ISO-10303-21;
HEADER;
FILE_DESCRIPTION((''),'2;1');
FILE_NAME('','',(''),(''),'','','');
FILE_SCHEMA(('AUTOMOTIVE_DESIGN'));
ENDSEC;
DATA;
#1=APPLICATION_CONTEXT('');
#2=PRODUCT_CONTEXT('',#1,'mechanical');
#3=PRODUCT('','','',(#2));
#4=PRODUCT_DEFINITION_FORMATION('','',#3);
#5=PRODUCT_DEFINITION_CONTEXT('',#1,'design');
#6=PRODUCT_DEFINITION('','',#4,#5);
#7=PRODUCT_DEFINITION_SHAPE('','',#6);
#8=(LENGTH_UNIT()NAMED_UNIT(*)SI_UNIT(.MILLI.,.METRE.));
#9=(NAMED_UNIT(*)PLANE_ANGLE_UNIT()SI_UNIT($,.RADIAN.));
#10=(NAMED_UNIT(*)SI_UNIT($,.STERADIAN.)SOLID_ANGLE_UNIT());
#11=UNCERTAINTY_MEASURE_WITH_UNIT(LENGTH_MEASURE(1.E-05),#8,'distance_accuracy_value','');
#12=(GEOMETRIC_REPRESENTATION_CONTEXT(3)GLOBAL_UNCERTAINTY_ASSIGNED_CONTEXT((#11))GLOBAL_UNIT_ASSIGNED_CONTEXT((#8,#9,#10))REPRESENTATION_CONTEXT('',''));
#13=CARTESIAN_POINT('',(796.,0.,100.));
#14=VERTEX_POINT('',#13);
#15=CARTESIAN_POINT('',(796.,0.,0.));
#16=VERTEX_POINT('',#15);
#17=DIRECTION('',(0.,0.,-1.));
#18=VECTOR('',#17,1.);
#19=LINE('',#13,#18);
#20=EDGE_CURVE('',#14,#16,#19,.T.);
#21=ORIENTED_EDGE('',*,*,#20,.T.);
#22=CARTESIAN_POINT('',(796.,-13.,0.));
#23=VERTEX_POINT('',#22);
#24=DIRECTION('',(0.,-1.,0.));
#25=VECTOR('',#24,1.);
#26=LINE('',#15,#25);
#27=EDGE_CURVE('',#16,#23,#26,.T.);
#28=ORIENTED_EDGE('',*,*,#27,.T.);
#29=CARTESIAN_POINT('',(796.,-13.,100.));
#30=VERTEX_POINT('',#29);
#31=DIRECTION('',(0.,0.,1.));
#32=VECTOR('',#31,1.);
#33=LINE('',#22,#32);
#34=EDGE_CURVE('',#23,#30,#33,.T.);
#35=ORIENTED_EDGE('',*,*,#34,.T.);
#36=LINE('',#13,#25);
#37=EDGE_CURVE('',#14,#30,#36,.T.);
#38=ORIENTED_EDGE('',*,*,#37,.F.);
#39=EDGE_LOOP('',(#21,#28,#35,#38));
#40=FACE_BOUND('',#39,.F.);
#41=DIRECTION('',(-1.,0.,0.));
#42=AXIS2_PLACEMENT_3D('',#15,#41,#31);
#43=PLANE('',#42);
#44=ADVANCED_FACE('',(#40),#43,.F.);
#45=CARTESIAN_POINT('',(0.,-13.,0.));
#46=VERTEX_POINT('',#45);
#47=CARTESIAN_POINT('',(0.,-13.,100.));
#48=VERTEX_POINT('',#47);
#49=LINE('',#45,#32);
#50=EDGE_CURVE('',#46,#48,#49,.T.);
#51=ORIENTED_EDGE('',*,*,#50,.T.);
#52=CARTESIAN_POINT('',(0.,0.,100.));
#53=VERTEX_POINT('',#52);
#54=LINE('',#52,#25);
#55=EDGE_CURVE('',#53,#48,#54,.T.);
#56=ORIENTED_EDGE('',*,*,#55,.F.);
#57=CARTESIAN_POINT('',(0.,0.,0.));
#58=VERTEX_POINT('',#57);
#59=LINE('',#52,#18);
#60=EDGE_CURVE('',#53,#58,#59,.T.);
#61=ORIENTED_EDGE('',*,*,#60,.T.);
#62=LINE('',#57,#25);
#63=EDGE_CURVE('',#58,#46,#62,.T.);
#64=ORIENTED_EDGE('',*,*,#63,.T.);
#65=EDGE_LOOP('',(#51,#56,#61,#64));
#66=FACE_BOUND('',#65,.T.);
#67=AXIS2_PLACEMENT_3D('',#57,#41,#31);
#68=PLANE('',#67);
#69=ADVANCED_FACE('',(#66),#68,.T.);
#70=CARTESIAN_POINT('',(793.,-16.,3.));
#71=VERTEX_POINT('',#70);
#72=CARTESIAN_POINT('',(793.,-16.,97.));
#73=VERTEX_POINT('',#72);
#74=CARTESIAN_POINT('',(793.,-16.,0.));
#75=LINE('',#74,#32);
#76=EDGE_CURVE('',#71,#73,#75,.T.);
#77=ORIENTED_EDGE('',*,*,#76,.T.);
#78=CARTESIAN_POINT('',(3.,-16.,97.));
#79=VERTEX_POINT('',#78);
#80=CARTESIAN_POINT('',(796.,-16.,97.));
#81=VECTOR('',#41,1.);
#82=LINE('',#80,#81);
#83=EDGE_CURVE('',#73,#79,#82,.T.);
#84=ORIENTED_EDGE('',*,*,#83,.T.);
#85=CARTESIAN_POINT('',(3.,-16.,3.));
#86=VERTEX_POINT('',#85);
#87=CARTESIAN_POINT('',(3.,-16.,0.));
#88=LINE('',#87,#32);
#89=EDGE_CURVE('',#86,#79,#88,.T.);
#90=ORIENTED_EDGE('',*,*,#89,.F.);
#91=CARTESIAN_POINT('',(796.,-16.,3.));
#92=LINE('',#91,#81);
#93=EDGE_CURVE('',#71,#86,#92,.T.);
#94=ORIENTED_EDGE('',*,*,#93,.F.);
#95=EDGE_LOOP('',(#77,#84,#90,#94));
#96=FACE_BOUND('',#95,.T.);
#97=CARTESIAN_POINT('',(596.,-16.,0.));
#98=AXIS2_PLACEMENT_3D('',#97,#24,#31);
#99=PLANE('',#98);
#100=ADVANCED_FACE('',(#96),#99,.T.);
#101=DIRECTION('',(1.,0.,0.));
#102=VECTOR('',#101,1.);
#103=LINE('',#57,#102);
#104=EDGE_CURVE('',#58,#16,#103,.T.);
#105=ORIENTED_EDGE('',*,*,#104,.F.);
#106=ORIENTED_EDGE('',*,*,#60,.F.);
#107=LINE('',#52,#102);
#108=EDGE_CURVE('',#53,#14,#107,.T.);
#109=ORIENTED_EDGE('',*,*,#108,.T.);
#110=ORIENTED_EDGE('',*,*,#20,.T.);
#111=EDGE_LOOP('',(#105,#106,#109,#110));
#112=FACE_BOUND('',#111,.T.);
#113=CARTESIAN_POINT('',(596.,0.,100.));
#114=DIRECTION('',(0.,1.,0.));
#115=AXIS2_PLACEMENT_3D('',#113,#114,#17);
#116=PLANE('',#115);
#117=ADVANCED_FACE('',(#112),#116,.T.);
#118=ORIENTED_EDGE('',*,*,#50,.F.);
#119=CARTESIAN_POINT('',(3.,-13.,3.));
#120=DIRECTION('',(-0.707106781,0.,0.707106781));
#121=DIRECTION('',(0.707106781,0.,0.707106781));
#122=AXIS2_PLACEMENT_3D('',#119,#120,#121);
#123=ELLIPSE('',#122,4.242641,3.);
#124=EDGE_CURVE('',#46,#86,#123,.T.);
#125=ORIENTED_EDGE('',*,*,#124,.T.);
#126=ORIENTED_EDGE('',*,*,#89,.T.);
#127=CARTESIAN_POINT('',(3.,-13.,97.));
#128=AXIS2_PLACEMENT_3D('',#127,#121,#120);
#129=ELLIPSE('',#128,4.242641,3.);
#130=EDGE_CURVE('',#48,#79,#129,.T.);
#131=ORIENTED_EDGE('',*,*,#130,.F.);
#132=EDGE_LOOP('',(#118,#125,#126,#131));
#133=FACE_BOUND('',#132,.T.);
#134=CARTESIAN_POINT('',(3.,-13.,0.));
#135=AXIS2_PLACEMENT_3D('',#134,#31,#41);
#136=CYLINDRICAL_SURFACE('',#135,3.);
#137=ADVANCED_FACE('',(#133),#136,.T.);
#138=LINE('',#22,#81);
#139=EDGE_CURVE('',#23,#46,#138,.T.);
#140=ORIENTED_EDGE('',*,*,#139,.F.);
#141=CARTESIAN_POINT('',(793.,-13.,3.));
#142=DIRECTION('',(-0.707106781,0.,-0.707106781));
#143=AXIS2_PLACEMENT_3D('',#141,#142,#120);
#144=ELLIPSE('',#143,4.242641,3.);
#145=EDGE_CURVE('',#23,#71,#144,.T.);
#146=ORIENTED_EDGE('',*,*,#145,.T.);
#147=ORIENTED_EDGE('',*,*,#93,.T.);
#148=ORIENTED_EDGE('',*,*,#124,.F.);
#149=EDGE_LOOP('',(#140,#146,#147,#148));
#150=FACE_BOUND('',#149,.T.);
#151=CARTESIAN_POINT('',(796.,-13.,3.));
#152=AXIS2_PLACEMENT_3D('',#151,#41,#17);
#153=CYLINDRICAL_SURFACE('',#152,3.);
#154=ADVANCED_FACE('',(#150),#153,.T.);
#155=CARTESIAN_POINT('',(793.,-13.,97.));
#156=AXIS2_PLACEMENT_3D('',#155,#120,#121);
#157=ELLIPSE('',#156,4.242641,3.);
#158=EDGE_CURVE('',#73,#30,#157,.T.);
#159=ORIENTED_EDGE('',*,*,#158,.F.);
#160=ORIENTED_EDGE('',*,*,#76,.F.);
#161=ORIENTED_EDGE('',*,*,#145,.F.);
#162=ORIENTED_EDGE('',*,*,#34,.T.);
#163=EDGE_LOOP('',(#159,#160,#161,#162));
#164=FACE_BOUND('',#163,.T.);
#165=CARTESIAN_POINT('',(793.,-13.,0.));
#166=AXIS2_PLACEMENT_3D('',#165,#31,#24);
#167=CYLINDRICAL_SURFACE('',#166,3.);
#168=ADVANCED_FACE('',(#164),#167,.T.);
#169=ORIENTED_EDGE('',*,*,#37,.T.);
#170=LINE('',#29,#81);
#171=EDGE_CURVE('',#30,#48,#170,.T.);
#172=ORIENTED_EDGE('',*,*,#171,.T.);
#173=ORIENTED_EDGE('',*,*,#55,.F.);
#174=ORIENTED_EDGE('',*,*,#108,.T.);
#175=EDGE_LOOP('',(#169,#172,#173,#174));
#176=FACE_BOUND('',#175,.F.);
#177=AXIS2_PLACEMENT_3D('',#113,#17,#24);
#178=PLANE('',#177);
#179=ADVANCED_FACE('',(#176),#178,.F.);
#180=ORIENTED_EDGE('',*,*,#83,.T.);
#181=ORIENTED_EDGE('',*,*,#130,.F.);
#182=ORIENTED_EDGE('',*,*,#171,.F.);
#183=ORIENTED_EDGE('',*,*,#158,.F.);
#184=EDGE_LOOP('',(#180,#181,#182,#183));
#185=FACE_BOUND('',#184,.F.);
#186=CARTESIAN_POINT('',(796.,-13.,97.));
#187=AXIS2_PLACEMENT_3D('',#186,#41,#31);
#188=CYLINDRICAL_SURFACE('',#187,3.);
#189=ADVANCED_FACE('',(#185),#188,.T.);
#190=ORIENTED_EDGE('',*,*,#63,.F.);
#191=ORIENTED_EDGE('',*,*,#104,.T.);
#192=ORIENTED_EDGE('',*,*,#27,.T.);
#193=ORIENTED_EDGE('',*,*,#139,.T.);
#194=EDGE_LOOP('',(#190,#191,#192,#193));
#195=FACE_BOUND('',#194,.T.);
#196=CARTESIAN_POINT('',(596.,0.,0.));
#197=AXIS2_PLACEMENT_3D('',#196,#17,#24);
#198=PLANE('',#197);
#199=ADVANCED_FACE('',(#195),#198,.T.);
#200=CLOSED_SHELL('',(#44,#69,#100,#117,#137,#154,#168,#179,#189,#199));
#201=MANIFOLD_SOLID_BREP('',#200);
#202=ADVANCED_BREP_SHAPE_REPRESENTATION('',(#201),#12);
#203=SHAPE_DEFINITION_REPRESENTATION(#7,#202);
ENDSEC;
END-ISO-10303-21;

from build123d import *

# Parameters (mm, degrees)
F0_W     = 53.6684691906
F0_H     = 36.3845862448
F1_DEPTH = 16
F2_DEPTH = 396
F3_DEPTH = 100
F4_DEPTH = 200
F5_DEPTH = 200
F6_R     = 3


with BuildPart() as f1:
    # F0 (on Front) → F1 (new body)
    with BuildSketch(Plane.XZ):
        with Locations((26.8342345953, 18.1922931224)):
            Rectangle(F0_W, F0_H)
    extrude(amount=F1_DEPTH)

    # F2 (add): a face of the model
    f2_faces = [f1.faces().sort_by_distance(p)[0] for p in [
        (0, -8, 18.1922931224),
    ]]
    extrude(f2_faces, amount=-F2_DEPTH)

    # F3 (add): a face of the model
    f3_faces = [f1.faces().sort_by_distance(p)[0] for p in [
        (198, -8, 0),
    ]]
    extrude(f3_faces, amount=-F3_DEPTH)

    # F4 (add): a face of the model
    f4_faces = [f1.faces().sort_by_distance(p)[0] for p in [
        (396, -8, 50),
    ]]
    extrude(f4_faces, amount=F4_DEPTH)

    # F5 (add): a face of the model
    f5_faces = [f1.faces().sort_by_distance(p)[0] for p in [
        (596, -8, 50),
    ]]
    extrude(f5_faces, amount=F5_DEPTH)

    # F6
    f6_edges = [f1.edges().sort_by_distance(p)[0] for p in [
        (0, -16, 50),
        (398, -16, 0),
        (796, -16, 50),
        (398, -16, 100),
    ]]
    fillet(f6_edges, radius=F6_R)


solid = f1.part
